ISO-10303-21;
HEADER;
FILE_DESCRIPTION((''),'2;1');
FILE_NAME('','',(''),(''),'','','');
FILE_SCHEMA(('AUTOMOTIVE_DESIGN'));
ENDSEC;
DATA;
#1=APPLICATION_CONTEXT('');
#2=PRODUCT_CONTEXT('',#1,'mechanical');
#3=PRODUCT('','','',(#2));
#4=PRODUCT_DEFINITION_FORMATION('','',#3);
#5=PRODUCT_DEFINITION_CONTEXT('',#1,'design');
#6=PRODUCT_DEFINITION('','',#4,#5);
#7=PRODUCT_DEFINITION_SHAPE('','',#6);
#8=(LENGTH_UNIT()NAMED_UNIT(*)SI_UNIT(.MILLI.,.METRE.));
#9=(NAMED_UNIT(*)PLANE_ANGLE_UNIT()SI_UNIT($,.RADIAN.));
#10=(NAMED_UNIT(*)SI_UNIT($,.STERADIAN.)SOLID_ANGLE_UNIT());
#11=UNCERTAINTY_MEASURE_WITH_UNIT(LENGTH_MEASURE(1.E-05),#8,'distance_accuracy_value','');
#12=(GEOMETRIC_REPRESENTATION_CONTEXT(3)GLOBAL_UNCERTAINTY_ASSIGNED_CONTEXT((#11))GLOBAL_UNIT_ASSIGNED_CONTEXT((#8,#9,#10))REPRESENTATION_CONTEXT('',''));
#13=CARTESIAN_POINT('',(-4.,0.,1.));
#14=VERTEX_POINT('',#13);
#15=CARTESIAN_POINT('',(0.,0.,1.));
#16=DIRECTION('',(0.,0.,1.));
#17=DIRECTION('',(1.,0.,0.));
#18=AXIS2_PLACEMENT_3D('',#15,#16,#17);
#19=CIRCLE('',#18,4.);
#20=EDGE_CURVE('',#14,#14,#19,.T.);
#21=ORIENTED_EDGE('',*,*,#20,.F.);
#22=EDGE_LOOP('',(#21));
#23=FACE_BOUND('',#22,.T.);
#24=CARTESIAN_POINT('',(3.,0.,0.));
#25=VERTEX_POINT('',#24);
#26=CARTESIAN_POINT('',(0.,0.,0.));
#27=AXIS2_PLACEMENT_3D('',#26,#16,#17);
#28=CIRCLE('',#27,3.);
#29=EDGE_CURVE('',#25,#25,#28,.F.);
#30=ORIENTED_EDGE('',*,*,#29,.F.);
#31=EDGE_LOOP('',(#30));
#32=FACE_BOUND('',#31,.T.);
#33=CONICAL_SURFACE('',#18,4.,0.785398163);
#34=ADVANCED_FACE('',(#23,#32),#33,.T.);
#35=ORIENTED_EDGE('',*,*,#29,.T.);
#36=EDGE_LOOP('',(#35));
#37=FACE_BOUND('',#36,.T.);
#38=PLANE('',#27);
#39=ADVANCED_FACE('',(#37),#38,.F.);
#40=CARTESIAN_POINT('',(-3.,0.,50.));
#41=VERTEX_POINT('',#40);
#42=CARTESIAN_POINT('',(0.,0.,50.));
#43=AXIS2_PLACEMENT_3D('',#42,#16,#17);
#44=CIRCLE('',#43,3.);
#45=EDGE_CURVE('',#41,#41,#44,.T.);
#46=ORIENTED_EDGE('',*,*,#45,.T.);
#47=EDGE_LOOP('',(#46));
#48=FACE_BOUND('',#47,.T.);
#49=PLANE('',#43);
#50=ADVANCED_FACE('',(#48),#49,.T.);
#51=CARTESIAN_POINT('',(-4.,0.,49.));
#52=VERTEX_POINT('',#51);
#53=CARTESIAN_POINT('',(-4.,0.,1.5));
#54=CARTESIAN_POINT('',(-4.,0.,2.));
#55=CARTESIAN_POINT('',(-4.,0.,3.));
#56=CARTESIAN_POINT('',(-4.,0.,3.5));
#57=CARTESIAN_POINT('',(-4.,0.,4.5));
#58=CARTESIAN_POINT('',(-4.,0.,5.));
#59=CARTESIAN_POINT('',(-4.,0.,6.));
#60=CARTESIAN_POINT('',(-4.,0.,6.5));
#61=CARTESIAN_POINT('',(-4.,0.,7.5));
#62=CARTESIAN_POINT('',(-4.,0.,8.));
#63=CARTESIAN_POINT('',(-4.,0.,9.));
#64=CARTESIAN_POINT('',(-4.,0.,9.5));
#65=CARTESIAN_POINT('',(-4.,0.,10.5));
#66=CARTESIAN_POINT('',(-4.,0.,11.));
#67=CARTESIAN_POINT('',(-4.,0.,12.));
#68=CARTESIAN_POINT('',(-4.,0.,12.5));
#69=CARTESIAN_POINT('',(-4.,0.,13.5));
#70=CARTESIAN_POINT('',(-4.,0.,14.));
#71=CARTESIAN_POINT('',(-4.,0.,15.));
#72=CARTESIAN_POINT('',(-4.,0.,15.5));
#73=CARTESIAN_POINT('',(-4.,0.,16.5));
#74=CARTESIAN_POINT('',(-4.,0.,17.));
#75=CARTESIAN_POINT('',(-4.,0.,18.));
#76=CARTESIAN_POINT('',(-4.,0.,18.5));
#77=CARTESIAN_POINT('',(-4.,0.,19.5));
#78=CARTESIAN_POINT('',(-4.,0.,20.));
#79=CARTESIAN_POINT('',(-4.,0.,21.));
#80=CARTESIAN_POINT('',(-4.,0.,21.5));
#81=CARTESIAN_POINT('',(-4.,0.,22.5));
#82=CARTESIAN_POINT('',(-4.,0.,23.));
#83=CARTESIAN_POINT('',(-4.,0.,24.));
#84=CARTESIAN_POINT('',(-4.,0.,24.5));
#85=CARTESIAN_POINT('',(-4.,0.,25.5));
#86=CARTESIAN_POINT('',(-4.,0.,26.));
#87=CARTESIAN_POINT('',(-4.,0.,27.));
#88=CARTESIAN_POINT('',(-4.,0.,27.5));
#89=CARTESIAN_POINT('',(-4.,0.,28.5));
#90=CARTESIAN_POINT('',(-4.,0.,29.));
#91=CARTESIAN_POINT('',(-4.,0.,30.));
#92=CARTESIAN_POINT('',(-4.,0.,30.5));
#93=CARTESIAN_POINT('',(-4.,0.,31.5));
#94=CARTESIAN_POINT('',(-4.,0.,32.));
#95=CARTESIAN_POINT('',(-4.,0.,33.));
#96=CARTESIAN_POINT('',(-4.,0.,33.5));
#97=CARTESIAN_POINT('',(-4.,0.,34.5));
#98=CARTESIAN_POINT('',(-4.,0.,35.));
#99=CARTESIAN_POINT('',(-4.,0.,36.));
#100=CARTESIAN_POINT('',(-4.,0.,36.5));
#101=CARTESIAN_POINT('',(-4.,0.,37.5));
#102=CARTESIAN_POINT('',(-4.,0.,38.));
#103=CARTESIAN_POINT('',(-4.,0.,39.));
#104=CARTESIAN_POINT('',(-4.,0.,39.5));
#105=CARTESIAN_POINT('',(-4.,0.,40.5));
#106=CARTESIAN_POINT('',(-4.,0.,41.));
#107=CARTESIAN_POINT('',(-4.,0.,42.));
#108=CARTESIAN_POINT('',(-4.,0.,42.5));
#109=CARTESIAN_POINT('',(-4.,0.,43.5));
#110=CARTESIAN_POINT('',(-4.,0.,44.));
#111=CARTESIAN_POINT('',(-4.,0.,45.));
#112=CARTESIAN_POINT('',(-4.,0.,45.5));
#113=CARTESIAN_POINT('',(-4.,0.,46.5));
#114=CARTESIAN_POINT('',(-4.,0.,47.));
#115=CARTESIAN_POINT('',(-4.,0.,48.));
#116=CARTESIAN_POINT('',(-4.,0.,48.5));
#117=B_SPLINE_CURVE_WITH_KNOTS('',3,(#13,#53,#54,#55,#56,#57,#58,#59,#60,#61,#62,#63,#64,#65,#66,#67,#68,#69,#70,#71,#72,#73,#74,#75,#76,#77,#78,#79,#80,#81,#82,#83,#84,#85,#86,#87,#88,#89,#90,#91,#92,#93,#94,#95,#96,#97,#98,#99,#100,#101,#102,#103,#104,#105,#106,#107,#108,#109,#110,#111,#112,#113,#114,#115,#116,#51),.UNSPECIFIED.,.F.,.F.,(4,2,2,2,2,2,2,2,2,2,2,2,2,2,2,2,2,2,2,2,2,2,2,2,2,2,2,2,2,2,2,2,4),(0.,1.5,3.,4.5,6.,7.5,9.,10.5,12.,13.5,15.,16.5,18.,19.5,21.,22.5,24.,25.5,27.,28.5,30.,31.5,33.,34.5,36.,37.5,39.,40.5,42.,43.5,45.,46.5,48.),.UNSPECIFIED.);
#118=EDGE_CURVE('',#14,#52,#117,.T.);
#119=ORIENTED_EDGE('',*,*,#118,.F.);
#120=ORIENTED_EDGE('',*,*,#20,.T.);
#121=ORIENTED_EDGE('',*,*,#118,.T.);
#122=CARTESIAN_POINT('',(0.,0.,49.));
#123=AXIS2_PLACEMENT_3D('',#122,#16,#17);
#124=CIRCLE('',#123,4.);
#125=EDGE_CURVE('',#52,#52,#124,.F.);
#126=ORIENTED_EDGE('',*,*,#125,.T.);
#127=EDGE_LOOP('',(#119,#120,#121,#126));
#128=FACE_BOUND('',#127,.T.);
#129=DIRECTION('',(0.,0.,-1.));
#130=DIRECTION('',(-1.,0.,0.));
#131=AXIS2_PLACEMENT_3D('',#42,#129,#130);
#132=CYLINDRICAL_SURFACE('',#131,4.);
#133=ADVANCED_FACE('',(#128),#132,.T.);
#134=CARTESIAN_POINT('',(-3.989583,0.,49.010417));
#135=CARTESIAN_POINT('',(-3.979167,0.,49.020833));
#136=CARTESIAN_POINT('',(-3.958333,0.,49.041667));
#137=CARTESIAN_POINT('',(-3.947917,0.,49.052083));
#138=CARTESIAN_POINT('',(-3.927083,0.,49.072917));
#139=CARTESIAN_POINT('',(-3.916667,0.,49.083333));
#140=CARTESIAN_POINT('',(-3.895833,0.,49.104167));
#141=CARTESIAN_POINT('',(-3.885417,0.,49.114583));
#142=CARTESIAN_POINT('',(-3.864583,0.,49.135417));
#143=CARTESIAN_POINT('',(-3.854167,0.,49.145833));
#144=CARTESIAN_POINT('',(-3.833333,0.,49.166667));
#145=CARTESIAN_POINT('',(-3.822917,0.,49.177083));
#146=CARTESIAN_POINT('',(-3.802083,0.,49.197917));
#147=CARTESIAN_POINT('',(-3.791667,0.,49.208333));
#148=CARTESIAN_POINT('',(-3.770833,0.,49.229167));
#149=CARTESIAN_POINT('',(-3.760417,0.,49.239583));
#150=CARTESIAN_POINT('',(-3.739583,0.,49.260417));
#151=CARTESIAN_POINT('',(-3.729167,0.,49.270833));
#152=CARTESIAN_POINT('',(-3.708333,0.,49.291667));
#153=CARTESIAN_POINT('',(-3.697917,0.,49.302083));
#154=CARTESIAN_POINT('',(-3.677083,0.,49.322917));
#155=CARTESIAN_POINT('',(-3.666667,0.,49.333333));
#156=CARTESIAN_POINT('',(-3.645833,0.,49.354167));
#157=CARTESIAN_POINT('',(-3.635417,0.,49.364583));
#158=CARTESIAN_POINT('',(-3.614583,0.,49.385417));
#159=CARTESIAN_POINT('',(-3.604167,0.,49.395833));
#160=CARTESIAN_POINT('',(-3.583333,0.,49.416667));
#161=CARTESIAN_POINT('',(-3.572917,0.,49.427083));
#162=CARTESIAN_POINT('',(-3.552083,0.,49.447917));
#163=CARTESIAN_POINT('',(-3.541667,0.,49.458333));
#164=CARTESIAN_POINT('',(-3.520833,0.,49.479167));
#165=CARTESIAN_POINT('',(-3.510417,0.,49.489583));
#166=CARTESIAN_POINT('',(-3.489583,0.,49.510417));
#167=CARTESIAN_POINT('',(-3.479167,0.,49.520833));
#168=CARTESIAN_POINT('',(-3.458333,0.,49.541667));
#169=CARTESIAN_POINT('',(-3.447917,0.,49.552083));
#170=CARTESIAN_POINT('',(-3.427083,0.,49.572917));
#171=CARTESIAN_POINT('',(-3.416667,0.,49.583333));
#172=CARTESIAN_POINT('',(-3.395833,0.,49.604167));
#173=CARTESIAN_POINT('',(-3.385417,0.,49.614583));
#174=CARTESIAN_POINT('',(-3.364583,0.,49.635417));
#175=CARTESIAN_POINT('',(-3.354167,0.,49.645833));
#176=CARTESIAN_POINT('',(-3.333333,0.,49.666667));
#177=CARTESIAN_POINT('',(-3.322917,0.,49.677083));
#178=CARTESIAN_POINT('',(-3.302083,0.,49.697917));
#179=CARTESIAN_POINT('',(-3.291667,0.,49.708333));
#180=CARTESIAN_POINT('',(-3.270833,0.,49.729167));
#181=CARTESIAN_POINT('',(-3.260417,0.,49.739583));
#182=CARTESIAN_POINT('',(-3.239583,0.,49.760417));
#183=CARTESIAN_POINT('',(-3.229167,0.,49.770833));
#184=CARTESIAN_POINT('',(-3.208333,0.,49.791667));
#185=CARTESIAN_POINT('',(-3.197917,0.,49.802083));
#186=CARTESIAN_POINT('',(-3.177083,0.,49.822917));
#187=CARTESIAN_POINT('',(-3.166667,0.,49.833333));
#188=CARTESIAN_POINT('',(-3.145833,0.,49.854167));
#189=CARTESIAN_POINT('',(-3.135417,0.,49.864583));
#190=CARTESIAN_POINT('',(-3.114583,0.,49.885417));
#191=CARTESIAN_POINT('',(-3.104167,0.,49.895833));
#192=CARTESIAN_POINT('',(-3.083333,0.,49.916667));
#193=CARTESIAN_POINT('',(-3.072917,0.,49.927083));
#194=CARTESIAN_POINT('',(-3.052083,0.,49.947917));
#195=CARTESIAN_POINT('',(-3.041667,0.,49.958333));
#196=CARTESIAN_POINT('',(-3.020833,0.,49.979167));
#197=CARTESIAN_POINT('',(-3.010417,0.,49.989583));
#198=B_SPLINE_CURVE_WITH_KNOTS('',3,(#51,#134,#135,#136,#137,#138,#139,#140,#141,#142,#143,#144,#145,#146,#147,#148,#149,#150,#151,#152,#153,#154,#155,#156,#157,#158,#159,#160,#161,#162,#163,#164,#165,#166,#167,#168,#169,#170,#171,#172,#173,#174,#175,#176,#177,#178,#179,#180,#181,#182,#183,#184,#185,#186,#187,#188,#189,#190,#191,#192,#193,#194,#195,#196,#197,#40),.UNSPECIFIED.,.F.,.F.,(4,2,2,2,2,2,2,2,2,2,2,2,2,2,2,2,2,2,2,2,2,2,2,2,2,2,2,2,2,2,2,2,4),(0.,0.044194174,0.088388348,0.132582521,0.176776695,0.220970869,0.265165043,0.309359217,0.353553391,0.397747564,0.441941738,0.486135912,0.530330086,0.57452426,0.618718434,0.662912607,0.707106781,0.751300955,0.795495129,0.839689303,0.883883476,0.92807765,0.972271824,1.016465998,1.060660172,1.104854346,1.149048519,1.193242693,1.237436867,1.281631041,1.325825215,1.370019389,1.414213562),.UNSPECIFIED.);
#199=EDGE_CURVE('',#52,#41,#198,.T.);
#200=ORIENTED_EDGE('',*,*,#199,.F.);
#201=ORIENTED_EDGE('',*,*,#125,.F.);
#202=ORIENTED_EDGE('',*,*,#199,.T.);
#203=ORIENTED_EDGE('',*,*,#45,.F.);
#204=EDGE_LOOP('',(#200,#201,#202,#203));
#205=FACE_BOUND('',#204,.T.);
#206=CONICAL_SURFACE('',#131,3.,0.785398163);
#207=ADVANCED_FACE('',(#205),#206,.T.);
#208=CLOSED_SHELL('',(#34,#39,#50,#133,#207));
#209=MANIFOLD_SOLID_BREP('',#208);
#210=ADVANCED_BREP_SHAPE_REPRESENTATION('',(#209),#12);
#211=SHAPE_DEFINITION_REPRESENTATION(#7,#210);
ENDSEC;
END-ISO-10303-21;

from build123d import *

# Parameters (mm, degrees)
SKETCH1_R           = 4
BOSS_EXTRUDE1_DEPTH = 50
CHAMFER1_SIZE       = 1


with BuildPart() as part:
    # Sketch1 → Boss-Extrude1 (new body)
    with BuildSketch(Plane.XY):
        Circle(SKETCH1_R)
    extrude(amount=BOSS_EXTRUDE1_DEPTH)

    # Chamfer1
    chamfer1_edges = [part.edges().sort_by_distance(p)[0] for p in [
        (-4, 0, 0),
        (-4, 0, 50),
    ]]
    chamfer(chamfer1_edges, length=CHAMFER1_SIZE)


solid = part.part
